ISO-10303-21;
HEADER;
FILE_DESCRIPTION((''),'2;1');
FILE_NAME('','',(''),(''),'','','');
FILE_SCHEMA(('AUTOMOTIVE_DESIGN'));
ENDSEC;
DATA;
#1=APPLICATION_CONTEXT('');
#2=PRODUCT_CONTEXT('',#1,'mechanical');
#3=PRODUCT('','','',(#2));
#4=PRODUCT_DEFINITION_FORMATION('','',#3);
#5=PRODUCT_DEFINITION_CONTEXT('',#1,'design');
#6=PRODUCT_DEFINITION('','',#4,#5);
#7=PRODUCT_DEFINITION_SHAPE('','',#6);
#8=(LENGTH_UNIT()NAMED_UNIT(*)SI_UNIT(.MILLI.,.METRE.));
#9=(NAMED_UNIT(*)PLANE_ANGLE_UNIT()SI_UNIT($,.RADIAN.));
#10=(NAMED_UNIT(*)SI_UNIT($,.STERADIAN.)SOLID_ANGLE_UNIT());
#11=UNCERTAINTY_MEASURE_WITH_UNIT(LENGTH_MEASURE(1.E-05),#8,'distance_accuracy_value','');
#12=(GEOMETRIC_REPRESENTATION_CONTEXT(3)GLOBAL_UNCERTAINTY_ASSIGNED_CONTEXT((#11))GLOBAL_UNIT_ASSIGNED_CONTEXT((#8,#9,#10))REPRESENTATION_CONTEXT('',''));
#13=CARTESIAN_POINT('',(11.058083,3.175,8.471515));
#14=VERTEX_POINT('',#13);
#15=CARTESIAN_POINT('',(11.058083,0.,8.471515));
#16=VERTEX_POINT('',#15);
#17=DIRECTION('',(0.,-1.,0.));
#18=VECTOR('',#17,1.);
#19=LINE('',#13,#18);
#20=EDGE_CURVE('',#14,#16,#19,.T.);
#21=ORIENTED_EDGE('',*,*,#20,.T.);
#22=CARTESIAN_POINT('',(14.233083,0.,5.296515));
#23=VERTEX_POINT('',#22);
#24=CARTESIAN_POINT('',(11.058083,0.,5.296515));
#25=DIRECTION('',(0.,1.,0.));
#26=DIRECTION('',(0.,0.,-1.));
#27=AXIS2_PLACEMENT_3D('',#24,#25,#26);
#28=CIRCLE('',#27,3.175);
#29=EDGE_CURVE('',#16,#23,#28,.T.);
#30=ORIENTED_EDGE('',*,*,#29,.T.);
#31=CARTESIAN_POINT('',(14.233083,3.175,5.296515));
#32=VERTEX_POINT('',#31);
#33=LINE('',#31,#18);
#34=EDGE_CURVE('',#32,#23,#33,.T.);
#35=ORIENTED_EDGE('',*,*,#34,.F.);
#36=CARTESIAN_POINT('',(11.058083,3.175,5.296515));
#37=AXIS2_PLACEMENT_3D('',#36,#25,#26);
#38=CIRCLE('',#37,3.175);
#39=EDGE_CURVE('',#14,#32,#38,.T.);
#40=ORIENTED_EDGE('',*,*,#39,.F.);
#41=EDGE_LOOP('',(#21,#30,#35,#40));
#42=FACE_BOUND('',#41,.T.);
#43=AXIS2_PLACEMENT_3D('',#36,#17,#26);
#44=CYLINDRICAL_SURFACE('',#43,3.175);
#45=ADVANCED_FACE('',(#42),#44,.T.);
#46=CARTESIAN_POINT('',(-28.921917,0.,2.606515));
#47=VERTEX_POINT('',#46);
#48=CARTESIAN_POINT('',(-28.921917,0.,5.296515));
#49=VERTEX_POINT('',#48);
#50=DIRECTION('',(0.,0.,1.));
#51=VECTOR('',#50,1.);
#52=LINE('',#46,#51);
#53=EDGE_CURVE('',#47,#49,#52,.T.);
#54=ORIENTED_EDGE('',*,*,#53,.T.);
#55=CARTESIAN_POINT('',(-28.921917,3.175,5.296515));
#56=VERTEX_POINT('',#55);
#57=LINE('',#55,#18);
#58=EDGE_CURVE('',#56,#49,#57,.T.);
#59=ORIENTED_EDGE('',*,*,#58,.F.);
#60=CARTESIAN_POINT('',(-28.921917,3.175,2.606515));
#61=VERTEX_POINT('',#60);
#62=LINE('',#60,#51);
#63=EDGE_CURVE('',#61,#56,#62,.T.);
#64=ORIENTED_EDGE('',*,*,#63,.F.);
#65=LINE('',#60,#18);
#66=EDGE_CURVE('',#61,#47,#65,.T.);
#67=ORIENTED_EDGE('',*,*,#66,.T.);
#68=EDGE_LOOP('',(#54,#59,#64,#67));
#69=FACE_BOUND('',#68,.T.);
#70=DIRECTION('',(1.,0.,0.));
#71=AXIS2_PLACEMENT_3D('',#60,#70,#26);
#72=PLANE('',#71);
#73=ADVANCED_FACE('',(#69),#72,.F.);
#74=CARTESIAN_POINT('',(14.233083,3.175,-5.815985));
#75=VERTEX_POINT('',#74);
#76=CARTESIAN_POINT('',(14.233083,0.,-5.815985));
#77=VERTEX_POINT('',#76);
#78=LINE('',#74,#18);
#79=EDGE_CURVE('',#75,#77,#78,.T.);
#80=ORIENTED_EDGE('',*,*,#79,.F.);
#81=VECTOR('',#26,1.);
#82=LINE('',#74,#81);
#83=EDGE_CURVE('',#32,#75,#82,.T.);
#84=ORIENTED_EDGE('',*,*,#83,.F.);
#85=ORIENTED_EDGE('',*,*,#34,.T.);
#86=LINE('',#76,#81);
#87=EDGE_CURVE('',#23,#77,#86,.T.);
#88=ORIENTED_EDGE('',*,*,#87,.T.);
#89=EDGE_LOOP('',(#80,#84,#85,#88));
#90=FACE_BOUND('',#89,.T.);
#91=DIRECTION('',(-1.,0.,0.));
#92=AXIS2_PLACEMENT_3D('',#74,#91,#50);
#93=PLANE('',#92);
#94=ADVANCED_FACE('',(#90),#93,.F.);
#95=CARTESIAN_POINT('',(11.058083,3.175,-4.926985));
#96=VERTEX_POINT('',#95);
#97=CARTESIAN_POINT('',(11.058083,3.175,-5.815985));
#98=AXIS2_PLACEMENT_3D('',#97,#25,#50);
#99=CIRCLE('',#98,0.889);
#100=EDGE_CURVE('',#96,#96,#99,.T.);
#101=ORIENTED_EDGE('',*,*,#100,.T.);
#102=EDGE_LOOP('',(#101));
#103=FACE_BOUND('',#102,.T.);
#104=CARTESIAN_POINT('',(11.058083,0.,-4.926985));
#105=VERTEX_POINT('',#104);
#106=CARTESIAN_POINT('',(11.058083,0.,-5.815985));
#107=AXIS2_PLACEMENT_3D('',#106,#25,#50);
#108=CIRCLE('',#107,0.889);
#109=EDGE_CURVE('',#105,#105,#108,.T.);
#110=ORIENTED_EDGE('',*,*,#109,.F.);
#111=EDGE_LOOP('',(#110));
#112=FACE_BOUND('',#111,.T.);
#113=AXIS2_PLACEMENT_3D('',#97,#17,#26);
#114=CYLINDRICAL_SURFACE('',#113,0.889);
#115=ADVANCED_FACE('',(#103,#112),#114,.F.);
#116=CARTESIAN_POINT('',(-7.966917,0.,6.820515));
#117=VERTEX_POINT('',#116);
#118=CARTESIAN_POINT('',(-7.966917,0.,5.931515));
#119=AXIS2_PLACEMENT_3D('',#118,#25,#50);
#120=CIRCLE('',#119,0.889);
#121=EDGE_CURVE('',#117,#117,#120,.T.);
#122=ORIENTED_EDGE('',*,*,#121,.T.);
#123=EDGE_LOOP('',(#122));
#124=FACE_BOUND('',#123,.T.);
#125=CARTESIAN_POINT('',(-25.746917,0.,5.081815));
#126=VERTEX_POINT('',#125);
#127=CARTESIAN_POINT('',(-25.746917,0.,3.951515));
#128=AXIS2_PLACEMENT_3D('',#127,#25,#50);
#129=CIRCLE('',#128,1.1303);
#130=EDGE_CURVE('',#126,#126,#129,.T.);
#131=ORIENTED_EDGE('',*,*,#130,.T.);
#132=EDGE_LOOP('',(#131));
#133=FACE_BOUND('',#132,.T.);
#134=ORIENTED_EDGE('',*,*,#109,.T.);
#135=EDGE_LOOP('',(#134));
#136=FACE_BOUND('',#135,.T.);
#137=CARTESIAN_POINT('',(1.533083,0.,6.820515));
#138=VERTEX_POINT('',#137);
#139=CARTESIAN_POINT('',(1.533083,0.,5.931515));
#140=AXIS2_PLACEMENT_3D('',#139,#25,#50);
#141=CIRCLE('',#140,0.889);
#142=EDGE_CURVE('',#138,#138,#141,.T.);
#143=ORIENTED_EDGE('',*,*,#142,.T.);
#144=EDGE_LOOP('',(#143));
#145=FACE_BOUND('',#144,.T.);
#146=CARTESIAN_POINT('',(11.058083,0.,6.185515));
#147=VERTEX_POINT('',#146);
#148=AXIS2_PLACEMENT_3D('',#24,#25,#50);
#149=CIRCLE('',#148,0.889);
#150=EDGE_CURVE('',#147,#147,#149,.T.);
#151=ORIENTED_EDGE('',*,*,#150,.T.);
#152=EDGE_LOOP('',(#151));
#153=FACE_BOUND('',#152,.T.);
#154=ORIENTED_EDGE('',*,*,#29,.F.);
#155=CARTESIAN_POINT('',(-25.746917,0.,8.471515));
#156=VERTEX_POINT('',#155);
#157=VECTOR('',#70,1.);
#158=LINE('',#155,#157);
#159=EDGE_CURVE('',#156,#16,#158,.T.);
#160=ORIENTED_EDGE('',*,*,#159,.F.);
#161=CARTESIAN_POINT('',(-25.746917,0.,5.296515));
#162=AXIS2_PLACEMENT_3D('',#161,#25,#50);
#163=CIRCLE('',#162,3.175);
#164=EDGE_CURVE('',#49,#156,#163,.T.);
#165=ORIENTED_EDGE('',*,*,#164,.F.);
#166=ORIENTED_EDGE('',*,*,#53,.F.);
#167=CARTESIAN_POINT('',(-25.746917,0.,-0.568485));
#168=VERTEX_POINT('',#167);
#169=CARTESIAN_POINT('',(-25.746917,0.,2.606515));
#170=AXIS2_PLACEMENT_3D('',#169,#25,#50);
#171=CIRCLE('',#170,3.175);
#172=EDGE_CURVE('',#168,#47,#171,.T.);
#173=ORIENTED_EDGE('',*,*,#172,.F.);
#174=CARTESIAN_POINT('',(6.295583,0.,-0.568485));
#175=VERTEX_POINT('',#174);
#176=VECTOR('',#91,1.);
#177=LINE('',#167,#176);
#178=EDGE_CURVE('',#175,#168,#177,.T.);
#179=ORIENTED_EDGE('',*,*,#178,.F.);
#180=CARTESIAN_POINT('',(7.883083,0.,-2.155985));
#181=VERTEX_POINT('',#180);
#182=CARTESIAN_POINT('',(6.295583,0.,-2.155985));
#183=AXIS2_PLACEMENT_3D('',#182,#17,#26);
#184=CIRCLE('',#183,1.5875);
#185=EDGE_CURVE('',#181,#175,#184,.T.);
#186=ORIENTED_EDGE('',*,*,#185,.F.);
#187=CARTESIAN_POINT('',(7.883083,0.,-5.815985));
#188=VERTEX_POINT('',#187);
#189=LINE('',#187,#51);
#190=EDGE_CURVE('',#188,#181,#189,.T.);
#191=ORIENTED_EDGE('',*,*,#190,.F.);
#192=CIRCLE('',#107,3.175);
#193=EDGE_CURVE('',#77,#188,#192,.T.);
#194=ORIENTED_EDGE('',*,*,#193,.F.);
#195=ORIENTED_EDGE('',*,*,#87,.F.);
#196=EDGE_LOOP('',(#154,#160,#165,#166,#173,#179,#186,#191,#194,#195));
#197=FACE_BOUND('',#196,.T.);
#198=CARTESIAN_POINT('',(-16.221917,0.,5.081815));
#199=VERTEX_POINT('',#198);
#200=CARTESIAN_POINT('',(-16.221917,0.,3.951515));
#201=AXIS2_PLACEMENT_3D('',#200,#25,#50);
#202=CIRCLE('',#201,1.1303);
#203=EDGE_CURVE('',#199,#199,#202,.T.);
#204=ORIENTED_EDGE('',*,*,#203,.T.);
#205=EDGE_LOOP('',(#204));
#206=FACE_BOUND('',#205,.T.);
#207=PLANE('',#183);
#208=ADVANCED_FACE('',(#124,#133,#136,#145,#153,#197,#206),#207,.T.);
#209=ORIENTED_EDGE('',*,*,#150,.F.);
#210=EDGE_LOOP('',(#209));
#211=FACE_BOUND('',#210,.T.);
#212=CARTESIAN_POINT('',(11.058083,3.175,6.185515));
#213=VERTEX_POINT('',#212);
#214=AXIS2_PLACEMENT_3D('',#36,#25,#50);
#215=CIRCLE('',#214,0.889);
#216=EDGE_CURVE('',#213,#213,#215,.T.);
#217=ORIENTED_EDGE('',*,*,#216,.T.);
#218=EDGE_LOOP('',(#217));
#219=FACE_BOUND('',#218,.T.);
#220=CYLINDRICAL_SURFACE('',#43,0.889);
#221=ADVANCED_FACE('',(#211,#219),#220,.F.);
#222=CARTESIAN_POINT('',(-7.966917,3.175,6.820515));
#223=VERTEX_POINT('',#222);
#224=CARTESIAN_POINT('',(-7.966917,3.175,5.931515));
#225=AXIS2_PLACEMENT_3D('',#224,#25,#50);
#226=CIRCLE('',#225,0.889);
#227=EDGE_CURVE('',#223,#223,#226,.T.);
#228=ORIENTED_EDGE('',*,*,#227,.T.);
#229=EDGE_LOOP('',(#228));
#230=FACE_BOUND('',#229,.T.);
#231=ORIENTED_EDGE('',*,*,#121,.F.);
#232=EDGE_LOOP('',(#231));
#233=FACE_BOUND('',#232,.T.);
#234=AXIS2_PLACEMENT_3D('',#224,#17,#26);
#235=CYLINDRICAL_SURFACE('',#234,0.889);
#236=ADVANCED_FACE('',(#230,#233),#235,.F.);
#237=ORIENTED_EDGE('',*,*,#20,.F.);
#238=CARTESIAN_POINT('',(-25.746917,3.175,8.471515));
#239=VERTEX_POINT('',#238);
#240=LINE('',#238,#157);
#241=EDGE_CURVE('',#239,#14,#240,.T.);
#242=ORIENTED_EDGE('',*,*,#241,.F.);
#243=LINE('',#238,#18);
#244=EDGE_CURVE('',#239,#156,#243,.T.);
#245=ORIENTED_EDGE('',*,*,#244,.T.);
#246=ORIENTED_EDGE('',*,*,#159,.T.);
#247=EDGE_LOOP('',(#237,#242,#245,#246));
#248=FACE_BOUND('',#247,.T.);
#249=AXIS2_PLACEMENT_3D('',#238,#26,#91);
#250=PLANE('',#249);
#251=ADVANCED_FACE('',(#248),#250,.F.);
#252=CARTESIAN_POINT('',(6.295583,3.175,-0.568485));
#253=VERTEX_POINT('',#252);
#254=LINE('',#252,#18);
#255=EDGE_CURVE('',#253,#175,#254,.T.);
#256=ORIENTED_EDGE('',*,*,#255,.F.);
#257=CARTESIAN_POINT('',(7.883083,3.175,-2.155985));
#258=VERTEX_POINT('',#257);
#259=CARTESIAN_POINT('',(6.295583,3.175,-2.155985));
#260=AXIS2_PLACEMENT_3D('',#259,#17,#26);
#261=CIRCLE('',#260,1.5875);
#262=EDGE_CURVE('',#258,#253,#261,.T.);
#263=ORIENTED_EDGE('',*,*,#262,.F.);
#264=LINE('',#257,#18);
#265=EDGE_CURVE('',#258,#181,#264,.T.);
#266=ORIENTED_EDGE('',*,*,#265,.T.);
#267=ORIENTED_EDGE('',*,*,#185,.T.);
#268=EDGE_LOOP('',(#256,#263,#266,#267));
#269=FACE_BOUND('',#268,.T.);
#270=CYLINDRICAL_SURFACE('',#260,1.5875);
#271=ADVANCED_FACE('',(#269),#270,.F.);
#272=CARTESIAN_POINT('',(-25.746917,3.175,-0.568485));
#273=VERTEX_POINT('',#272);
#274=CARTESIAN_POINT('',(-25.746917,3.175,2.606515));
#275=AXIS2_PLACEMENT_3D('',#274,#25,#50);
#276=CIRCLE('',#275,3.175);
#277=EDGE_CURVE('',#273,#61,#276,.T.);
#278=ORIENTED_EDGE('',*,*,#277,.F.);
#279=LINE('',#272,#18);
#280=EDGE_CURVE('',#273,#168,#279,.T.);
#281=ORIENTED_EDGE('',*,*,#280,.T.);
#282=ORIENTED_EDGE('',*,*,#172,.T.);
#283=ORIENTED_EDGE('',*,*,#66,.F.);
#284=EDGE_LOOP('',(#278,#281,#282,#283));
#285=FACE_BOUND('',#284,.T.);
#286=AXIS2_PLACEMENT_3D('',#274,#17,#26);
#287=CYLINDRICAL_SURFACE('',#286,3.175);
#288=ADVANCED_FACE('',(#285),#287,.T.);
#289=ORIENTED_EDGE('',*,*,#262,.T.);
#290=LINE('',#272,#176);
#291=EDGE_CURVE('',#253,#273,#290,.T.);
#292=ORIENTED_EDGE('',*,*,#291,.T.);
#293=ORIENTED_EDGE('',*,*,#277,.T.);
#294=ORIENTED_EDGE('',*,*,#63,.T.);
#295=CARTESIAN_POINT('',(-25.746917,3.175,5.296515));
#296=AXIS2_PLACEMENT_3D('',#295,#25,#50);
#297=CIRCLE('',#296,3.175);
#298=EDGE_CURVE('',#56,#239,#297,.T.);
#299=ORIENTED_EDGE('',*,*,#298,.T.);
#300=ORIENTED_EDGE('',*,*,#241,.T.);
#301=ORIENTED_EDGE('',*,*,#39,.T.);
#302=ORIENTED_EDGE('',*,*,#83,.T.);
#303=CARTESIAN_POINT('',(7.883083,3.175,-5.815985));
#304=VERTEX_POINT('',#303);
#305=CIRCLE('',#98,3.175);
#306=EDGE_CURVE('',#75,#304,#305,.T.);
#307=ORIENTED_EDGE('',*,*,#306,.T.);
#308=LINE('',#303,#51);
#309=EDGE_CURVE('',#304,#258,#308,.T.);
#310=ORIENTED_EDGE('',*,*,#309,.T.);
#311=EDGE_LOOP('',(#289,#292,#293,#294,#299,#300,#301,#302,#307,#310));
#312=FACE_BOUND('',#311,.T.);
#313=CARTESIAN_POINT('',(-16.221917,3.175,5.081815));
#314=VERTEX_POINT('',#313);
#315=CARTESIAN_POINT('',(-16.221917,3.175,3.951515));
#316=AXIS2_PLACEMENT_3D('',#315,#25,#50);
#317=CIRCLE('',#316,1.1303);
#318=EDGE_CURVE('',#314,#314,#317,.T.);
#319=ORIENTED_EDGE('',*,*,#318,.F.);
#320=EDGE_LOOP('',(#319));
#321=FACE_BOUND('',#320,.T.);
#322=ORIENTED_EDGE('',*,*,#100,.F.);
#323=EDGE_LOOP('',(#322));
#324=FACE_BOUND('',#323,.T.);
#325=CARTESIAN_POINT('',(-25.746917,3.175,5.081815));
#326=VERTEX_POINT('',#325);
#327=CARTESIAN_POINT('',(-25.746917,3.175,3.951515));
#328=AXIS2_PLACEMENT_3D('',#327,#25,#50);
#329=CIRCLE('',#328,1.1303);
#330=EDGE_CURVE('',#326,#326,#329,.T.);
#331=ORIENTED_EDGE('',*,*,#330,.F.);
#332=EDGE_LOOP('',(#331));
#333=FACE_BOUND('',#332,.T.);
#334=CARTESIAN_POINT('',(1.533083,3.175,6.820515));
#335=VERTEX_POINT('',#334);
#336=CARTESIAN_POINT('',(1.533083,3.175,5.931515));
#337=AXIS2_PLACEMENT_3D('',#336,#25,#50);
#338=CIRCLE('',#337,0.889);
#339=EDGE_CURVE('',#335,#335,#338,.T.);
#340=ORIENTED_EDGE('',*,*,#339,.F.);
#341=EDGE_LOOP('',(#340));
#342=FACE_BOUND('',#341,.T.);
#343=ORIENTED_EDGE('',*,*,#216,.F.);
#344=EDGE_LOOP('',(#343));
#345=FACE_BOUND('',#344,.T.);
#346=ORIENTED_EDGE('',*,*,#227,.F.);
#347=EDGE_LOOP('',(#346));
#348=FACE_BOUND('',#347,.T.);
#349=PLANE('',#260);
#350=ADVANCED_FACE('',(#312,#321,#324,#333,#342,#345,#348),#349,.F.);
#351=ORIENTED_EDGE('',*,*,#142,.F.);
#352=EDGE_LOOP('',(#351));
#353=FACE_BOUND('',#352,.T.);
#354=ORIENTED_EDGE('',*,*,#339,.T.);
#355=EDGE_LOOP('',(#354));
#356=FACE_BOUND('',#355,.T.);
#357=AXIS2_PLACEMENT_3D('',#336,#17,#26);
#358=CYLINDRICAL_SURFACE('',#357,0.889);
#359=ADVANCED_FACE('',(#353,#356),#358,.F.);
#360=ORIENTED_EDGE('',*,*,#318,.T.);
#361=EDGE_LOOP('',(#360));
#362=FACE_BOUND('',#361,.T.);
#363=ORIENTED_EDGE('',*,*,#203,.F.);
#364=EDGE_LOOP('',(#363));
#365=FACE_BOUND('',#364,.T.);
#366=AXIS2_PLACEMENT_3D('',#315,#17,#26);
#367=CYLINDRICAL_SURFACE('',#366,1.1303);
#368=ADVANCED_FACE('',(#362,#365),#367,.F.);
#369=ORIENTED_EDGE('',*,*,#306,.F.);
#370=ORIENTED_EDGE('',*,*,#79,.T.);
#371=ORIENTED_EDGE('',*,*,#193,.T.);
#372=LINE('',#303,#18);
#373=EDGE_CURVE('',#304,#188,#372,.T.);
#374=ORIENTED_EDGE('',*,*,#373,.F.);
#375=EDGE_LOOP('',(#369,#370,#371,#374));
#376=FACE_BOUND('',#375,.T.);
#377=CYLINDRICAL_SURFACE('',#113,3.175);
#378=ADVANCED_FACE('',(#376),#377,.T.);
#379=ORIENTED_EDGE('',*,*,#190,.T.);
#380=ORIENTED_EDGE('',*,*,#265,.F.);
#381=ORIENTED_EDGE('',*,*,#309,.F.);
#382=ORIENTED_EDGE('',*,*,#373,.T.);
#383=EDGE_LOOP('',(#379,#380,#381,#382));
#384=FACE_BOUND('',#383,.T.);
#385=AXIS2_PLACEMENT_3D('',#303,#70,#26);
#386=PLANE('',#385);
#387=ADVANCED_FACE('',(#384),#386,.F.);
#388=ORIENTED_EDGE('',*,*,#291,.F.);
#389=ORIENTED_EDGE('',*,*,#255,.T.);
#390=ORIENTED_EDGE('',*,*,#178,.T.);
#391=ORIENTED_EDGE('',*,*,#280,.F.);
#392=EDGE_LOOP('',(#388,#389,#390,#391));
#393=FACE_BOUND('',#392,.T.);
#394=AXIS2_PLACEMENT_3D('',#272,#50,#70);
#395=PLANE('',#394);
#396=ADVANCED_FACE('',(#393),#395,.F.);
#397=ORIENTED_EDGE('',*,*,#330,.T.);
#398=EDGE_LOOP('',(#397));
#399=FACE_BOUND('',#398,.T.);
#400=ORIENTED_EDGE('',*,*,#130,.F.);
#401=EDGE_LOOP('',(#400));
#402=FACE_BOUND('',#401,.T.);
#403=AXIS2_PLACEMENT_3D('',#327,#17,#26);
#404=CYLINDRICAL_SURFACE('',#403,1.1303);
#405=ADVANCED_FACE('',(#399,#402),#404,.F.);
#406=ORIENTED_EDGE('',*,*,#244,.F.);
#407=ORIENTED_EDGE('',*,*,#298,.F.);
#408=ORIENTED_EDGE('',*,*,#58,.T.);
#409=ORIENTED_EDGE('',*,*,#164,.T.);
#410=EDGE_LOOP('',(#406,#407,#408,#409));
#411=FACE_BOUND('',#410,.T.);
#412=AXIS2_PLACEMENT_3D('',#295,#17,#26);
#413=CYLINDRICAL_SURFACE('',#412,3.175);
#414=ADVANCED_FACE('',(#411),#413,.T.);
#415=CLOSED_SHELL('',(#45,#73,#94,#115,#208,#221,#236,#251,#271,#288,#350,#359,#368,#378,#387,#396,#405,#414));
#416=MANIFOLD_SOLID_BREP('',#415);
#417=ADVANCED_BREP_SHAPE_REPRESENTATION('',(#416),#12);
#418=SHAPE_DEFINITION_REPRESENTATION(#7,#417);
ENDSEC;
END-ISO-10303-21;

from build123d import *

# Parameters (mm, degrees)
SKETCH1_R           = 0.889
SKETCH1_R_2         = 1.1303
BOSS_EXTRUDE1_DEPTH = 3.175


with BuildPart() as part:
    # Sketch1 → Boss-Extrude1 (new body)
    with BuildSketch(Plane(origin=(0, 0, 0), x_dir=(1, 0, 0), z_dir=(0, 1, 0))):
        with BuildLine():
            Line((14.23308304, 5.815984864), (14.23308304, -5.296515136))
            ThreePointArc((14.23308304, -5.296515136), (13.30314707, -7.541579166), (11.05808304, -8.471515136))
            Line((11.05808304, -8.471515136), (-25.74691696, -8.471515136))
            ThreePointArc((-25.74691696, -8.471515136), (-27.99198099, -7.541579166), (-28.92191696, -5.296515136))
            Line((-28.92191696, -5.296515136), (-28.92191696, -2.606515136))
            ThreePointArc((-28.92191696, -2.606515136), (-27.99198099, -0.361451106), (-25.74691696, 0.568484864))
            Line((-25.74691696, 0.568484864), (6.29558304, 0.568484864))
            ThreePointArc((6.29558304, 0.568484864), (7.418115055, 1.033452849), (7.88308304, 2.155984864))
            Line((7.88308304, 2.155984864), (7.88308304, 5.815984864))
            ThreePointArc((7.88308304, 5.815984864), (11.05808304, 8.990984864), (14.23308304, 5.815984864))
        make_face()
        with Locations(Location((-7.96691696, -5.931515136, 0), (0, 0, 270))):
            Circle(SKETCH1_R, mode=Mode.SUBTRACT)
        with Locations(Location((1.53308304, -5.931515136, 0), (0, 0, 270))):
            Circle(SKETCH1_R, mode=Mode.SUBTRACT)
        with Locations(Location((11.05808304, 5.815984864, 0), (0, 0, 270))):
            Circle(SKETCH1_R, mode=Mode.SUBTRACT)
        with Locations(Location((-25.74691696, -3.951515136, 0), (0, 0, 270))):
            Circle(SKETCH1_R_2, mode=Mode.SUBTRACT)
        with Locations(Location((-16.22191696, -3.951515136, 0), (0, 0, 270))):
            Circle(SKETCH1_R_2, mode=Mode.SUBTRACT)
        with Locations(Location((11.05808304, -5.296515136, 0), (0, 0, 270))):
            Circle(SKETCH1_R, mode=Mode.SUBTRACT)
    extrude(amount=BOSS_EXTRUDE1_DEPTH)


solid = part.part
